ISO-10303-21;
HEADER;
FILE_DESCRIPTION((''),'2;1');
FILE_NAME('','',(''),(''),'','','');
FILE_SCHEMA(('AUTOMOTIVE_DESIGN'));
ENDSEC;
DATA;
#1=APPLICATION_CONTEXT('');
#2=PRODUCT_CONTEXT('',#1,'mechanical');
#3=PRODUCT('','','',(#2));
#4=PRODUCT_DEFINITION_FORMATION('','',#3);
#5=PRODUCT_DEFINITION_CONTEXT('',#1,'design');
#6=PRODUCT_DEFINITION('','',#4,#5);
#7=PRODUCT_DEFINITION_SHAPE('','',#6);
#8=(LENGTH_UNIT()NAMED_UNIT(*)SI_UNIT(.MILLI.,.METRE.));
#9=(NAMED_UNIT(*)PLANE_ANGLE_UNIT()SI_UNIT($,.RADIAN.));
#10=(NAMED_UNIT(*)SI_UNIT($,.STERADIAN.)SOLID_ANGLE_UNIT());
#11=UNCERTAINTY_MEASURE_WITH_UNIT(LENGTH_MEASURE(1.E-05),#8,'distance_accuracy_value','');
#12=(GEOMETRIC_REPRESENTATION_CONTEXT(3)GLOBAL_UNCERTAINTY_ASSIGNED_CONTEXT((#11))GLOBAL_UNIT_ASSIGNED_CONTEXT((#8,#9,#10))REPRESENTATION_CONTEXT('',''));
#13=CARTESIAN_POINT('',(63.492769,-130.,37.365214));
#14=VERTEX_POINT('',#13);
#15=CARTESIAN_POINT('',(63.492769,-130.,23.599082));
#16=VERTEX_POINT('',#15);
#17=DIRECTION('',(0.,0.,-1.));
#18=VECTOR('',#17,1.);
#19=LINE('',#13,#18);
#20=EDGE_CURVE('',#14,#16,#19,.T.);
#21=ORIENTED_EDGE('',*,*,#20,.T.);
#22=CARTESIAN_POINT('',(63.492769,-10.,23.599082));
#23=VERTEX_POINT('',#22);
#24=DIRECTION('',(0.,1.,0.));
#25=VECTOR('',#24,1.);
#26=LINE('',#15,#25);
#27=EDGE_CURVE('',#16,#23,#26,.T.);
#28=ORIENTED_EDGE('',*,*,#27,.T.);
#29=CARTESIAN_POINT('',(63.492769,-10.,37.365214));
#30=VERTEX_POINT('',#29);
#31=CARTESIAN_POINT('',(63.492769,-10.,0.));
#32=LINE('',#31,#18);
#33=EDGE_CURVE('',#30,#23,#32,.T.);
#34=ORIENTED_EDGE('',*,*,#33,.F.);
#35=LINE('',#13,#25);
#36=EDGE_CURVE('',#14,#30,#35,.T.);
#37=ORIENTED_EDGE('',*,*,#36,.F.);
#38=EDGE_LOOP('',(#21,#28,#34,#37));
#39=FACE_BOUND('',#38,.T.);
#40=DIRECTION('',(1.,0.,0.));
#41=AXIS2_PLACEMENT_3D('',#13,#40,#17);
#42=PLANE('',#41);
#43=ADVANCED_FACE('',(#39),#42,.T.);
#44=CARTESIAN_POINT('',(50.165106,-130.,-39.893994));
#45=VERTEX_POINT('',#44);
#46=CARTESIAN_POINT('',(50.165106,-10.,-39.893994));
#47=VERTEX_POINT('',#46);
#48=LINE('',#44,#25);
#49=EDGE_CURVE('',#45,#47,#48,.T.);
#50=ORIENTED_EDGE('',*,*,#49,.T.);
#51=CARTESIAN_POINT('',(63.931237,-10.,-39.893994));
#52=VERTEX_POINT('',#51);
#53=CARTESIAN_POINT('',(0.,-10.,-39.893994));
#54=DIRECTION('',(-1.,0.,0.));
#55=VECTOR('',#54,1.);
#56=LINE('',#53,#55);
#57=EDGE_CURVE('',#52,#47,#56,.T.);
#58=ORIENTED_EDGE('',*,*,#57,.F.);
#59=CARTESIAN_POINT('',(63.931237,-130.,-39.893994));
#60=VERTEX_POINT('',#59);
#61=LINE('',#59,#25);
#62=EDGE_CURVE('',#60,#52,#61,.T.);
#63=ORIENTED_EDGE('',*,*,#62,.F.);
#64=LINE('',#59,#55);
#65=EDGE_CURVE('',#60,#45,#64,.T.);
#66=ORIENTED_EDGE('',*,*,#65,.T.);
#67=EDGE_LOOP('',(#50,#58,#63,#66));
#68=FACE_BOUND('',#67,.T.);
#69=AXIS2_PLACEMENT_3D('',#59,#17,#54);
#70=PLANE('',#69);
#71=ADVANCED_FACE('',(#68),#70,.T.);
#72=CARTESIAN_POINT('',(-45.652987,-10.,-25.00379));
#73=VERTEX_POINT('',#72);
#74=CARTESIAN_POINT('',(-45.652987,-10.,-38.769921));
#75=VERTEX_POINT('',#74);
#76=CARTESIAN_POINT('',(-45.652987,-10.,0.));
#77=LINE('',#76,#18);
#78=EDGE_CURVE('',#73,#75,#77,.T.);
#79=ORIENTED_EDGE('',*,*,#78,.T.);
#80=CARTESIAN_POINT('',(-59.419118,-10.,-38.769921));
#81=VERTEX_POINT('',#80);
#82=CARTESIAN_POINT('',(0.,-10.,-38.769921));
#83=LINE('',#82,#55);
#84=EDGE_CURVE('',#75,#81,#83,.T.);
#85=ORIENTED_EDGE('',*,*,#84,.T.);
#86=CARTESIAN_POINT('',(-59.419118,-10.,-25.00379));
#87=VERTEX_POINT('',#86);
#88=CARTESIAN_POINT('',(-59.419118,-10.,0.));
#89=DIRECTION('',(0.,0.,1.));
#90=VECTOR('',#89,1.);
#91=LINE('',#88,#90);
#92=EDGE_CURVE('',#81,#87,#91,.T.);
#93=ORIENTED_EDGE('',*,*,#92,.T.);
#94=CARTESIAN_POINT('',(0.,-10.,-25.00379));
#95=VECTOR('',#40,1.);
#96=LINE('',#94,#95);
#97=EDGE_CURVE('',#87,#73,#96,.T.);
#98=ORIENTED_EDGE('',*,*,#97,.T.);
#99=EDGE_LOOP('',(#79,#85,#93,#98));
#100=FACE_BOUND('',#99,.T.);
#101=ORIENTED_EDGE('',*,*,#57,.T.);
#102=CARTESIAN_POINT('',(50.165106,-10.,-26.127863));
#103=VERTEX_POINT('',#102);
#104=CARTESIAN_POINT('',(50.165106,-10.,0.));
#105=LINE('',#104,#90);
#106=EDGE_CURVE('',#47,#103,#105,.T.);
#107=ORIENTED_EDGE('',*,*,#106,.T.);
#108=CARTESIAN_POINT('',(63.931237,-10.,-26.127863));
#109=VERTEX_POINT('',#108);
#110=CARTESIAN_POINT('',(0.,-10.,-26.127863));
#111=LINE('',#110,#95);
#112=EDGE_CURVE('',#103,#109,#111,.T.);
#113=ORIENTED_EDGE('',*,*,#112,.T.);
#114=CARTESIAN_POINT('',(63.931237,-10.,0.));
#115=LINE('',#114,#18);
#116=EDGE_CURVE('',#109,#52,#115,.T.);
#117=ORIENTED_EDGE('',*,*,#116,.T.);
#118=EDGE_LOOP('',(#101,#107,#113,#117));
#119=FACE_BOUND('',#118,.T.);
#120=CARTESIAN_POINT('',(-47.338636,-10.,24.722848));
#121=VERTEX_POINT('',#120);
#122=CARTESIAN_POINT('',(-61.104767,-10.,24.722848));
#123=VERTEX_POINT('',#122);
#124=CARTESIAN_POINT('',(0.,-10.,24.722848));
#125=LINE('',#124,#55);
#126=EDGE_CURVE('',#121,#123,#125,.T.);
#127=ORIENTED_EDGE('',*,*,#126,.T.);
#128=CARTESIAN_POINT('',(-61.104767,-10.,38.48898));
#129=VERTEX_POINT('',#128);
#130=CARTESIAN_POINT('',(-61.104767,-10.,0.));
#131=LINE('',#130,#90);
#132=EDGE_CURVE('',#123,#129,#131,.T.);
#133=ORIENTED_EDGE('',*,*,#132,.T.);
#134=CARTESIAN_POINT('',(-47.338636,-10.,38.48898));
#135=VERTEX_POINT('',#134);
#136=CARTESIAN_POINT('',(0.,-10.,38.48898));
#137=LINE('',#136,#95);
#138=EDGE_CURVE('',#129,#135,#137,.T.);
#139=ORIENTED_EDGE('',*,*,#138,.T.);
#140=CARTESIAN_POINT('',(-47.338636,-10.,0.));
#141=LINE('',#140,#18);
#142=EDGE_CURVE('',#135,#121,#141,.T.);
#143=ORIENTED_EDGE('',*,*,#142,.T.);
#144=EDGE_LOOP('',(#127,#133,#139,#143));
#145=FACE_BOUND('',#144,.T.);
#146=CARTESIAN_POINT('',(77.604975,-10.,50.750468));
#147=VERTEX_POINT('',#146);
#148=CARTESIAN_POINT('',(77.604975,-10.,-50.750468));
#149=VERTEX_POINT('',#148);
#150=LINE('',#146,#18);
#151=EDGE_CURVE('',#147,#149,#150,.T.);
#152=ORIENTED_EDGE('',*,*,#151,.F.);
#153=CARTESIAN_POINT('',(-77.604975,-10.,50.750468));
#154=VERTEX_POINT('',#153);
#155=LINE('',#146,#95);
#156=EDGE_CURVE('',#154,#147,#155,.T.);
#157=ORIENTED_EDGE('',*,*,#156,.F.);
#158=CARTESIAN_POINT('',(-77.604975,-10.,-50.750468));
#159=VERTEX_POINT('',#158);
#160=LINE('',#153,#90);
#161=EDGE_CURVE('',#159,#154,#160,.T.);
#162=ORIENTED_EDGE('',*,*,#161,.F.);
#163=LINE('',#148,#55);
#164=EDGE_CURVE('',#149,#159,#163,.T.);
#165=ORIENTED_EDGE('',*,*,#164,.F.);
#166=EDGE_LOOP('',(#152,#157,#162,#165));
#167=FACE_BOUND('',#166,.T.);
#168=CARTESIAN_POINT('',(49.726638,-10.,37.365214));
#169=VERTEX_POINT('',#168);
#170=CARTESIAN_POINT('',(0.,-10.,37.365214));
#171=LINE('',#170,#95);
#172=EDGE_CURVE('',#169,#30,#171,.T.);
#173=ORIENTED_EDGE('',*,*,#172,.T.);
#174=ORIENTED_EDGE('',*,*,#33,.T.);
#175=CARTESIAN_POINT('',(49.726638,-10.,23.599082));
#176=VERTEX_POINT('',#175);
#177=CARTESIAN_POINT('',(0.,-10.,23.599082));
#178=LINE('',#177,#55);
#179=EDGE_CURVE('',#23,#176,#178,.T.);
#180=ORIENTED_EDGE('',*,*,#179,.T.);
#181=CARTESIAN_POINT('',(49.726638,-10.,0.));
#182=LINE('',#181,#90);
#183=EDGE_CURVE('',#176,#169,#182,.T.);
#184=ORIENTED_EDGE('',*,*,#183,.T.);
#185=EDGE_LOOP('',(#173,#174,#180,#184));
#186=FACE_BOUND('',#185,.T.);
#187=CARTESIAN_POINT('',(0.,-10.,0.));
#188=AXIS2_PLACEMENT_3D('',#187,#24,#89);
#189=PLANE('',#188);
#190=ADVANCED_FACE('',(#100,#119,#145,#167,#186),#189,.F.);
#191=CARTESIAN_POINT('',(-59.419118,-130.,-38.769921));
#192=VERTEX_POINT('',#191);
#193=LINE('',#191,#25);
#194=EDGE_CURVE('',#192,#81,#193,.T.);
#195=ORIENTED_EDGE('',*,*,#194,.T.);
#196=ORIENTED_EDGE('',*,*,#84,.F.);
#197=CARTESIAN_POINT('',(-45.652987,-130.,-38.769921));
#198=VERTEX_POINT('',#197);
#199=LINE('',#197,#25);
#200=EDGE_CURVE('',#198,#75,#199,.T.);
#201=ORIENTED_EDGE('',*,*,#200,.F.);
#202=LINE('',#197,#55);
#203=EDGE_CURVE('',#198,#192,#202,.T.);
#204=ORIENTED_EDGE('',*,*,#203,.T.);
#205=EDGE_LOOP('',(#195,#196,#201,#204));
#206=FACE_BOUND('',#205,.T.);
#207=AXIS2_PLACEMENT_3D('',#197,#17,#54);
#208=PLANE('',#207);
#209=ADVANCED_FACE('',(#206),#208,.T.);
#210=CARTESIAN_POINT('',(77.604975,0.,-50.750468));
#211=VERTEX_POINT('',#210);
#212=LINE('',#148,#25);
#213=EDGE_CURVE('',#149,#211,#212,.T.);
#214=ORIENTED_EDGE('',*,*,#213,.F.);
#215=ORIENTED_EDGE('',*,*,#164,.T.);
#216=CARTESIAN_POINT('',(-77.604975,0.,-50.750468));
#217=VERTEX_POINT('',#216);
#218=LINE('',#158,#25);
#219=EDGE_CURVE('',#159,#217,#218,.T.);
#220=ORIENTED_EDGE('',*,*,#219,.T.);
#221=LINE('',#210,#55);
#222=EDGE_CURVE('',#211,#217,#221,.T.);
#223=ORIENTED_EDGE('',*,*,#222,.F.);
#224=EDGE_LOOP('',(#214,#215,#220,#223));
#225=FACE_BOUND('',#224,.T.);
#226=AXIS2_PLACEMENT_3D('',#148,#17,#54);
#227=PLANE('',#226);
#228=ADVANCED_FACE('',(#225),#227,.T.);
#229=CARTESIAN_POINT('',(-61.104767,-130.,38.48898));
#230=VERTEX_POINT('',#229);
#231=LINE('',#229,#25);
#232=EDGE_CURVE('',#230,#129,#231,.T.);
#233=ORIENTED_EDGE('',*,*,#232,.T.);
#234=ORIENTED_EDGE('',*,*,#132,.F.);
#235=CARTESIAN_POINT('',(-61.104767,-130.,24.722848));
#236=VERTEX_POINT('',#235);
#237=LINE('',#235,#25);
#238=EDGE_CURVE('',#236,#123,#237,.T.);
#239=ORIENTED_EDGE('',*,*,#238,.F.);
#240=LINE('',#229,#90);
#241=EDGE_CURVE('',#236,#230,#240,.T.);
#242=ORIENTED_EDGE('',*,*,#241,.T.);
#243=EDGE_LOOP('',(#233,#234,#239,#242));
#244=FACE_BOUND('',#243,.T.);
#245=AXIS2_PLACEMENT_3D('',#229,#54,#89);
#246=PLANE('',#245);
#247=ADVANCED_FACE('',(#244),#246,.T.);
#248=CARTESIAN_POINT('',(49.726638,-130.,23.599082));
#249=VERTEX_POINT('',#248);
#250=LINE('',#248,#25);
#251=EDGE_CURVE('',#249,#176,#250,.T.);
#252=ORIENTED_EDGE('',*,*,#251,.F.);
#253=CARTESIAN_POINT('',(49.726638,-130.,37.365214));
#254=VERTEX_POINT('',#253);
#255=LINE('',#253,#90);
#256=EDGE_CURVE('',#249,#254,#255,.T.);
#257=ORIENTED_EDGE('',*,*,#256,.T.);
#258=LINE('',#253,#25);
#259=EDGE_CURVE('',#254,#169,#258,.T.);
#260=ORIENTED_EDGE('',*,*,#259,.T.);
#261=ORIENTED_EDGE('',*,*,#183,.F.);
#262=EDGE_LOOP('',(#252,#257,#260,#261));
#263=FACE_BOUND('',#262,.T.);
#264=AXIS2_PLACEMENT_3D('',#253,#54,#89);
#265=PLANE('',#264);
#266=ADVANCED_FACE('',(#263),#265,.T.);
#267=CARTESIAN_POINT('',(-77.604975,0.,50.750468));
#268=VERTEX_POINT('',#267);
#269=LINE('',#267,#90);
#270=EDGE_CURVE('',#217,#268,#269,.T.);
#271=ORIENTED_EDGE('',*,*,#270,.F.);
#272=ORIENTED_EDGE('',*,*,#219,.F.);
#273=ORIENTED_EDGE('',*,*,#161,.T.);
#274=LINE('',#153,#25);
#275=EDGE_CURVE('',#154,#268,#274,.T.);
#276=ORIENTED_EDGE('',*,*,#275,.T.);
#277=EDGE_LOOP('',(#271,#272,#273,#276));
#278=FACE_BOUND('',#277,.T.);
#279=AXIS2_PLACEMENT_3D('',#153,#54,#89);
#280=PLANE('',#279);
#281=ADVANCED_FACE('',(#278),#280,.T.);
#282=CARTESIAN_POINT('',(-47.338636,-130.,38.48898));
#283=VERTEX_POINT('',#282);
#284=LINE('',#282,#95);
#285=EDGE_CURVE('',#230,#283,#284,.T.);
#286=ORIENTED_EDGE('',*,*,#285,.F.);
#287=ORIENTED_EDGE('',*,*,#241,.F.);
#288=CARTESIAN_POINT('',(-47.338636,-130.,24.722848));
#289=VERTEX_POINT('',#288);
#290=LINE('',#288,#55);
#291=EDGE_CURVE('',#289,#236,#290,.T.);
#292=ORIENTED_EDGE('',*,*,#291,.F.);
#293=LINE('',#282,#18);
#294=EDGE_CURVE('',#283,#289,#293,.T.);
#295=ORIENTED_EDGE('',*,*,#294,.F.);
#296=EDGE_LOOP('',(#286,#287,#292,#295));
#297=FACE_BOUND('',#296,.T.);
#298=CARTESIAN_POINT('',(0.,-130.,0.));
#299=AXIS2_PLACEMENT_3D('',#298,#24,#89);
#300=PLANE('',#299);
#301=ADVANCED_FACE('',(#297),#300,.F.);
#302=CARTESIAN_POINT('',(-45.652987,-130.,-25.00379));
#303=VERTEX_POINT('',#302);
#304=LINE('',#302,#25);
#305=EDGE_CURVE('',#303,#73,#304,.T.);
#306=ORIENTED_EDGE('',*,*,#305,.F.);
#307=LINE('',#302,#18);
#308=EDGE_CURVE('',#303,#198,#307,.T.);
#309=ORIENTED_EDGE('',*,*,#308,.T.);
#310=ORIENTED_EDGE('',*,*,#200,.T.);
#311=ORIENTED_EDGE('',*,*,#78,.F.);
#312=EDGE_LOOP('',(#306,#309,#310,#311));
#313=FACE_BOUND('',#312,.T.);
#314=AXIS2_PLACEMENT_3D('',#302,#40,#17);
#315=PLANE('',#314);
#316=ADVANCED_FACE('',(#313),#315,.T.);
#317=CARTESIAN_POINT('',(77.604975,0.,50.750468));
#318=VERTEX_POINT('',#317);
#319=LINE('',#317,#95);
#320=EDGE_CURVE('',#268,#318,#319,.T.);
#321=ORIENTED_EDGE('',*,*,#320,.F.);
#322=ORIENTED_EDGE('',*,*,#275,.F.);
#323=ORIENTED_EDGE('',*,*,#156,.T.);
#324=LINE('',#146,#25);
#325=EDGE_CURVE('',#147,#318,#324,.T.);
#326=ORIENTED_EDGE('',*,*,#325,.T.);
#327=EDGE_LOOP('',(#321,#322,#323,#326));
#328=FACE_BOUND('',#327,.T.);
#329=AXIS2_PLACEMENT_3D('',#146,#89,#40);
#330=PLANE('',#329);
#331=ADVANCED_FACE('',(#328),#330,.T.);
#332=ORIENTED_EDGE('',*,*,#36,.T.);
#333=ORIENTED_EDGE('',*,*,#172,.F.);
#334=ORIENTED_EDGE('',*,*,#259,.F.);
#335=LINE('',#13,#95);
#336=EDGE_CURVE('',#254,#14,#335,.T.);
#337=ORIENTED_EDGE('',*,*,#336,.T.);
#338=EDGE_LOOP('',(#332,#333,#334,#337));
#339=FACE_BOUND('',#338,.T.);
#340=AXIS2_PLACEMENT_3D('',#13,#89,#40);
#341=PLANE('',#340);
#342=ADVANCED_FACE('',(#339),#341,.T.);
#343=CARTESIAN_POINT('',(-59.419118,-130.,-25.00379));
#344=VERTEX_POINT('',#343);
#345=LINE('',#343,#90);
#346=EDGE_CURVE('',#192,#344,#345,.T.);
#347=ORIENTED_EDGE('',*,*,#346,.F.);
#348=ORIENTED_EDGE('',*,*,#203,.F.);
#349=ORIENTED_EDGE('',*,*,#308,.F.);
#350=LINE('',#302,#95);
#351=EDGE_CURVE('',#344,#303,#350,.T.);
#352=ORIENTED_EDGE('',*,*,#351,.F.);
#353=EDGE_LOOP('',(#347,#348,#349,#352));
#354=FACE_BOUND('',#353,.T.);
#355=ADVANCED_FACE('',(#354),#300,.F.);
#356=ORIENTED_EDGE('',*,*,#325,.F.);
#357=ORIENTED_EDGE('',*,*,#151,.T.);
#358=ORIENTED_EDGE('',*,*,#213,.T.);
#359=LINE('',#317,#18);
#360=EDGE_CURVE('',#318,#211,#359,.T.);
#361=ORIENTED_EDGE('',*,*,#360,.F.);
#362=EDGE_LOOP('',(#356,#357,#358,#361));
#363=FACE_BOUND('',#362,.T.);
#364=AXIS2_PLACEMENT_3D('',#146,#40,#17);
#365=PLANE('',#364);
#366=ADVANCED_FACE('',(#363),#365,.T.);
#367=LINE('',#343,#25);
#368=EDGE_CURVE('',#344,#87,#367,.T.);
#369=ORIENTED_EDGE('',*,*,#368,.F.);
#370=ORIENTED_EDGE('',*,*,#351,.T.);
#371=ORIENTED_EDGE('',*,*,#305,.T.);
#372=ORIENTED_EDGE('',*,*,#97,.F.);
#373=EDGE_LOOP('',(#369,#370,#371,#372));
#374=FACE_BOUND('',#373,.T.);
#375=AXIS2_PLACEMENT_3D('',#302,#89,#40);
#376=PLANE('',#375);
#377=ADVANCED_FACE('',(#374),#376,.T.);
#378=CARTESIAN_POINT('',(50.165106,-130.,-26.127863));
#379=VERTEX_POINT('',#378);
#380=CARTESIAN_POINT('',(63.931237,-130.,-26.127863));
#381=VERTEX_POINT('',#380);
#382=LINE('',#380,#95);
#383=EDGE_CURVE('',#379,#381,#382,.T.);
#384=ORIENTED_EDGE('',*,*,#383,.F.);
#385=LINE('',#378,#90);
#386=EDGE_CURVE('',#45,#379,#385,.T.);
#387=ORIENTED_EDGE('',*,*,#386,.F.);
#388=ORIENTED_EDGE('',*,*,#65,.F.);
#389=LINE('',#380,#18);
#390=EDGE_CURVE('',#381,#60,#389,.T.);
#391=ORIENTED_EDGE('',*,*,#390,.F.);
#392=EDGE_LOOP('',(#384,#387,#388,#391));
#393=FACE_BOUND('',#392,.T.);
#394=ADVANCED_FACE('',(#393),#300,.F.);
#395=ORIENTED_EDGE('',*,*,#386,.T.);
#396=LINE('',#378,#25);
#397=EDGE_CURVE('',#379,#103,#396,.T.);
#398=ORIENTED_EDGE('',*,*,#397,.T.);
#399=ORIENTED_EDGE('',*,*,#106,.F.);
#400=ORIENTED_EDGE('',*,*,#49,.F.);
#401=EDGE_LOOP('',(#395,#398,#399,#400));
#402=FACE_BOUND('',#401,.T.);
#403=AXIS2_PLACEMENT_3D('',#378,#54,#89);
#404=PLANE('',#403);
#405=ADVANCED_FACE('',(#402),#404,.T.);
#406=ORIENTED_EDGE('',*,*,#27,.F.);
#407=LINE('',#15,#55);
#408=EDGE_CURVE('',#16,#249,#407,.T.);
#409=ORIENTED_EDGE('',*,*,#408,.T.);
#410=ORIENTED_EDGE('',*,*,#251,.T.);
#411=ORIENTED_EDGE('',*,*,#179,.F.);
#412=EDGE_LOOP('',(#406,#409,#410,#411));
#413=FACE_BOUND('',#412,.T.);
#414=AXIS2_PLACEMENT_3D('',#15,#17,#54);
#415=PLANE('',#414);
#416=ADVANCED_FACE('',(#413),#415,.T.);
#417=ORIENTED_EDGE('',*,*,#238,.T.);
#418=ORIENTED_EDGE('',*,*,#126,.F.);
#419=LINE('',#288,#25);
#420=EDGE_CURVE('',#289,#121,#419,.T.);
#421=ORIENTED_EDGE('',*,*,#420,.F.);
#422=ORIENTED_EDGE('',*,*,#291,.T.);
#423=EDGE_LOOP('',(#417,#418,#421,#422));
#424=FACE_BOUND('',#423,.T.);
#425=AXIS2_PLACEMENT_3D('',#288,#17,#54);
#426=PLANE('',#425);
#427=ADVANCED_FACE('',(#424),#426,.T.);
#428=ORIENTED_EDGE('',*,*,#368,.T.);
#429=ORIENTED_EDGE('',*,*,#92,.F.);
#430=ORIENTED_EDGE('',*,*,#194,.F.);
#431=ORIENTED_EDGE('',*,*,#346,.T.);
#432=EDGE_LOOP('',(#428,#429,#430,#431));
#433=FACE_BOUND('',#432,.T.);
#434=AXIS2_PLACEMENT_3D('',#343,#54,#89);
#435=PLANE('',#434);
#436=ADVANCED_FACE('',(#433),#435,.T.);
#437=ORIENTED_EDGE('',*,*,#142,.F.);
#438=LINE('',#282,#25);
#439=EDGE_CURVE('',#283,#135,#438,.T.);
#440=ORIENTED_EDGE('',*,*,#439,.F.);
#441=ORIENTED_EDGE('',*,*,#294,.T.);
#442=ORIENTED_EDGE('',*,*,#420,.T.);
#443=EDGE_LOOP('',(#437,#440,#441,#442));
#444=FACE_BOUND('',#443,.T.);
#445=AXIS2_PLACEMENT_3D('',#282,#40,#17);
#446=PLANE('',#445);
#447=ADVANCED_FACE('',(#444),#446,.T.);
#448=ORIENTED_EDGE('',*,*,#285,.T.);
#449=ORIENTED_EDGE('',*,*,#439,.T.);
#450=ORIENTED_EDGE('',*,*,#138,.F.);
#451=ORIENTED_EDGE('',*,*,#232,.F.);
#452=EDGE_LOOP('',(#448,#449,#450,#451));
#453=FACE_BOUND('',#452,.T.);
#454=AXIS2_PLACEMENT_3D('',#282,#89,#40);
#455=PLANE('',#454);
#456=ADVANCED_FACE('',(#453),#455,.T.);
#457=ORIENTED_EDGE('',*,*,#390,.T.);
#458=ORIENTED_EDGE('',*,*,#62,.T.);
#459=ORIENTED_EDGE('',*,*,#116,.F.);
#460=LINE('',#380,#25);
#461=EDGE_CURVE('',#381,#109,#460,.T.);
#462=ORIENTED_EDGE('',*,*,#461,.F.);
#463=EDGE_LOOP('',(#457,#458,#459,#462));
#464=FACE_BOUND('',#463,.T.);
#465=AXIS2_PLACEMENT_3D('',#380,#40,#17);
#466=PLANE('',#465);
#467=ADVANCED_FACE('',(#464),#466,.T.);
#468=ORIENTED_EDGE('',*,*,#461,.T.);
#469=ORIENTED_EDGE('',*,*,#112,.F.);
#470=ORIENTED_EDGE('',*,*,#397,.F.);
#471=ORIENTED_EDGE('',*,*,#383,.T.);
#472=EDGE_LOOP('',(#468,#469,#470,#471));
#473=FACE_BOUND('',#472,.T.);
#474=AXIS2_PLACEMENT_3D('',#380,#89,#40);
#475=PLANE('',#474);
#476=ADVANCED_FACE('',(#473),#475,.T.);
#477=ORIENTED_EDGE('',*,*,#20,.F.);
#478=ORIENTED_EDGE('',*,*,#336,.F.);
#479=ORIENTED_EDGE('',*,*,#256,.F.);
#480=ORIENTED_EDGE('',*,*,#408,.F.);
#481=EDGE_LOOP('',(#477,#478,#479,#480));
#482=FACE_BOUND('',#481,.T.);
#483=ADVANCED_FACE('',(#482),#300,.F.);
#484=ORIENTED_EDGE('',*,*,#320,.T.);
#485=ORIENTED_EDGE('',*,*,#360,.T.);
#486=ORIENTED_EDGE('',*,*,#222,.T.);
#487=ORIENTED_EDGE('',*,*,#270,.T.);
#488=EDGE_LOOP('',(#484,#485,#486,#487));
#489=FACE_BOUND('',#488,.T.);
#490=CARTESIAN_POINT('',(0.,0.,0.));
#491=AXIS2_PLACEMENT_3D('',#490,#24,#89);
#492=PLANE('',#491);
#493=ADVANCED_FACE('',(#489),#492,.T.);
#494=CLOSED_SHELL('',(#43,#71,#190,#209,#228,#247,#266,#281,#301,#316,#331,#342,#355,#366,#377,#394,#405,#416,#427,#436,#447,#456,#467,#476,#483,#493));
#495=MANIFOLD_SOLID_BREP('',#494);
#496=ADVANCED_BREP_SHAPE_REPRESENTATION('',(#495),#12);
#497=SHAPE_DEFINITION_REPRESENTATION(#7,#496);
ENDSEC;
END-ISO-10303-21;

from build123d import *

# Parameters (mm, degrees)
SKETCH1_W           = 155.20995072
SKETCH1_H           = 101.500935516
BOSS_EXTRUDE1_DEPTH = 10
SKETCH2_W           = 13.766131438
SKETCH2_H           = 13.766131439
SKETCH2_H_2         = 13.766131438
SKETCH2_W_2         = 13.766131439
BOSS_EXTRUDE2_DEPTH = 130


with BuildPart() as part:
    # Sketch1 → Boss-Extrude1 (new body)
    with BuildSketch(Plane(origin=(0, 0, 0), x_dir=(1, 0, 0), z_dir=(0, 1, 0))):
        Rectangle(SKETCH1_W, SKETCH1_H)
    extrude(amount=-BOSS_EXTRUDE1_DEPTH)

    # Sketch2 → Boss-Extrude2 (add)
    with BuildSketch(Plane(origin=(0, 0, 0), x_dir=(1, 0, 0), z_dir=(0, 1, 0))):
        with Locations((57.048171322, 33.010928537)):
            Rectangle(SKETCH2_W, SKETCH2_H)
        with Locations((-52.536052633, 31.886855475)):
            Rectangle(SKETCH2_W, SKETCH2_H_2)
        with Locations((-54.221701381, -31.605914017)):
            Rectangle(SKETCH2_W_2, SKETCH2_H_2)
        with Locations((56.609703773, -30.482148186)):
            Rectangle(SKETCH2_W, SKETCH2_H)
    extrude(amount=-BOSS_EXTRUDE2_DEPTH)


solid = part.part
